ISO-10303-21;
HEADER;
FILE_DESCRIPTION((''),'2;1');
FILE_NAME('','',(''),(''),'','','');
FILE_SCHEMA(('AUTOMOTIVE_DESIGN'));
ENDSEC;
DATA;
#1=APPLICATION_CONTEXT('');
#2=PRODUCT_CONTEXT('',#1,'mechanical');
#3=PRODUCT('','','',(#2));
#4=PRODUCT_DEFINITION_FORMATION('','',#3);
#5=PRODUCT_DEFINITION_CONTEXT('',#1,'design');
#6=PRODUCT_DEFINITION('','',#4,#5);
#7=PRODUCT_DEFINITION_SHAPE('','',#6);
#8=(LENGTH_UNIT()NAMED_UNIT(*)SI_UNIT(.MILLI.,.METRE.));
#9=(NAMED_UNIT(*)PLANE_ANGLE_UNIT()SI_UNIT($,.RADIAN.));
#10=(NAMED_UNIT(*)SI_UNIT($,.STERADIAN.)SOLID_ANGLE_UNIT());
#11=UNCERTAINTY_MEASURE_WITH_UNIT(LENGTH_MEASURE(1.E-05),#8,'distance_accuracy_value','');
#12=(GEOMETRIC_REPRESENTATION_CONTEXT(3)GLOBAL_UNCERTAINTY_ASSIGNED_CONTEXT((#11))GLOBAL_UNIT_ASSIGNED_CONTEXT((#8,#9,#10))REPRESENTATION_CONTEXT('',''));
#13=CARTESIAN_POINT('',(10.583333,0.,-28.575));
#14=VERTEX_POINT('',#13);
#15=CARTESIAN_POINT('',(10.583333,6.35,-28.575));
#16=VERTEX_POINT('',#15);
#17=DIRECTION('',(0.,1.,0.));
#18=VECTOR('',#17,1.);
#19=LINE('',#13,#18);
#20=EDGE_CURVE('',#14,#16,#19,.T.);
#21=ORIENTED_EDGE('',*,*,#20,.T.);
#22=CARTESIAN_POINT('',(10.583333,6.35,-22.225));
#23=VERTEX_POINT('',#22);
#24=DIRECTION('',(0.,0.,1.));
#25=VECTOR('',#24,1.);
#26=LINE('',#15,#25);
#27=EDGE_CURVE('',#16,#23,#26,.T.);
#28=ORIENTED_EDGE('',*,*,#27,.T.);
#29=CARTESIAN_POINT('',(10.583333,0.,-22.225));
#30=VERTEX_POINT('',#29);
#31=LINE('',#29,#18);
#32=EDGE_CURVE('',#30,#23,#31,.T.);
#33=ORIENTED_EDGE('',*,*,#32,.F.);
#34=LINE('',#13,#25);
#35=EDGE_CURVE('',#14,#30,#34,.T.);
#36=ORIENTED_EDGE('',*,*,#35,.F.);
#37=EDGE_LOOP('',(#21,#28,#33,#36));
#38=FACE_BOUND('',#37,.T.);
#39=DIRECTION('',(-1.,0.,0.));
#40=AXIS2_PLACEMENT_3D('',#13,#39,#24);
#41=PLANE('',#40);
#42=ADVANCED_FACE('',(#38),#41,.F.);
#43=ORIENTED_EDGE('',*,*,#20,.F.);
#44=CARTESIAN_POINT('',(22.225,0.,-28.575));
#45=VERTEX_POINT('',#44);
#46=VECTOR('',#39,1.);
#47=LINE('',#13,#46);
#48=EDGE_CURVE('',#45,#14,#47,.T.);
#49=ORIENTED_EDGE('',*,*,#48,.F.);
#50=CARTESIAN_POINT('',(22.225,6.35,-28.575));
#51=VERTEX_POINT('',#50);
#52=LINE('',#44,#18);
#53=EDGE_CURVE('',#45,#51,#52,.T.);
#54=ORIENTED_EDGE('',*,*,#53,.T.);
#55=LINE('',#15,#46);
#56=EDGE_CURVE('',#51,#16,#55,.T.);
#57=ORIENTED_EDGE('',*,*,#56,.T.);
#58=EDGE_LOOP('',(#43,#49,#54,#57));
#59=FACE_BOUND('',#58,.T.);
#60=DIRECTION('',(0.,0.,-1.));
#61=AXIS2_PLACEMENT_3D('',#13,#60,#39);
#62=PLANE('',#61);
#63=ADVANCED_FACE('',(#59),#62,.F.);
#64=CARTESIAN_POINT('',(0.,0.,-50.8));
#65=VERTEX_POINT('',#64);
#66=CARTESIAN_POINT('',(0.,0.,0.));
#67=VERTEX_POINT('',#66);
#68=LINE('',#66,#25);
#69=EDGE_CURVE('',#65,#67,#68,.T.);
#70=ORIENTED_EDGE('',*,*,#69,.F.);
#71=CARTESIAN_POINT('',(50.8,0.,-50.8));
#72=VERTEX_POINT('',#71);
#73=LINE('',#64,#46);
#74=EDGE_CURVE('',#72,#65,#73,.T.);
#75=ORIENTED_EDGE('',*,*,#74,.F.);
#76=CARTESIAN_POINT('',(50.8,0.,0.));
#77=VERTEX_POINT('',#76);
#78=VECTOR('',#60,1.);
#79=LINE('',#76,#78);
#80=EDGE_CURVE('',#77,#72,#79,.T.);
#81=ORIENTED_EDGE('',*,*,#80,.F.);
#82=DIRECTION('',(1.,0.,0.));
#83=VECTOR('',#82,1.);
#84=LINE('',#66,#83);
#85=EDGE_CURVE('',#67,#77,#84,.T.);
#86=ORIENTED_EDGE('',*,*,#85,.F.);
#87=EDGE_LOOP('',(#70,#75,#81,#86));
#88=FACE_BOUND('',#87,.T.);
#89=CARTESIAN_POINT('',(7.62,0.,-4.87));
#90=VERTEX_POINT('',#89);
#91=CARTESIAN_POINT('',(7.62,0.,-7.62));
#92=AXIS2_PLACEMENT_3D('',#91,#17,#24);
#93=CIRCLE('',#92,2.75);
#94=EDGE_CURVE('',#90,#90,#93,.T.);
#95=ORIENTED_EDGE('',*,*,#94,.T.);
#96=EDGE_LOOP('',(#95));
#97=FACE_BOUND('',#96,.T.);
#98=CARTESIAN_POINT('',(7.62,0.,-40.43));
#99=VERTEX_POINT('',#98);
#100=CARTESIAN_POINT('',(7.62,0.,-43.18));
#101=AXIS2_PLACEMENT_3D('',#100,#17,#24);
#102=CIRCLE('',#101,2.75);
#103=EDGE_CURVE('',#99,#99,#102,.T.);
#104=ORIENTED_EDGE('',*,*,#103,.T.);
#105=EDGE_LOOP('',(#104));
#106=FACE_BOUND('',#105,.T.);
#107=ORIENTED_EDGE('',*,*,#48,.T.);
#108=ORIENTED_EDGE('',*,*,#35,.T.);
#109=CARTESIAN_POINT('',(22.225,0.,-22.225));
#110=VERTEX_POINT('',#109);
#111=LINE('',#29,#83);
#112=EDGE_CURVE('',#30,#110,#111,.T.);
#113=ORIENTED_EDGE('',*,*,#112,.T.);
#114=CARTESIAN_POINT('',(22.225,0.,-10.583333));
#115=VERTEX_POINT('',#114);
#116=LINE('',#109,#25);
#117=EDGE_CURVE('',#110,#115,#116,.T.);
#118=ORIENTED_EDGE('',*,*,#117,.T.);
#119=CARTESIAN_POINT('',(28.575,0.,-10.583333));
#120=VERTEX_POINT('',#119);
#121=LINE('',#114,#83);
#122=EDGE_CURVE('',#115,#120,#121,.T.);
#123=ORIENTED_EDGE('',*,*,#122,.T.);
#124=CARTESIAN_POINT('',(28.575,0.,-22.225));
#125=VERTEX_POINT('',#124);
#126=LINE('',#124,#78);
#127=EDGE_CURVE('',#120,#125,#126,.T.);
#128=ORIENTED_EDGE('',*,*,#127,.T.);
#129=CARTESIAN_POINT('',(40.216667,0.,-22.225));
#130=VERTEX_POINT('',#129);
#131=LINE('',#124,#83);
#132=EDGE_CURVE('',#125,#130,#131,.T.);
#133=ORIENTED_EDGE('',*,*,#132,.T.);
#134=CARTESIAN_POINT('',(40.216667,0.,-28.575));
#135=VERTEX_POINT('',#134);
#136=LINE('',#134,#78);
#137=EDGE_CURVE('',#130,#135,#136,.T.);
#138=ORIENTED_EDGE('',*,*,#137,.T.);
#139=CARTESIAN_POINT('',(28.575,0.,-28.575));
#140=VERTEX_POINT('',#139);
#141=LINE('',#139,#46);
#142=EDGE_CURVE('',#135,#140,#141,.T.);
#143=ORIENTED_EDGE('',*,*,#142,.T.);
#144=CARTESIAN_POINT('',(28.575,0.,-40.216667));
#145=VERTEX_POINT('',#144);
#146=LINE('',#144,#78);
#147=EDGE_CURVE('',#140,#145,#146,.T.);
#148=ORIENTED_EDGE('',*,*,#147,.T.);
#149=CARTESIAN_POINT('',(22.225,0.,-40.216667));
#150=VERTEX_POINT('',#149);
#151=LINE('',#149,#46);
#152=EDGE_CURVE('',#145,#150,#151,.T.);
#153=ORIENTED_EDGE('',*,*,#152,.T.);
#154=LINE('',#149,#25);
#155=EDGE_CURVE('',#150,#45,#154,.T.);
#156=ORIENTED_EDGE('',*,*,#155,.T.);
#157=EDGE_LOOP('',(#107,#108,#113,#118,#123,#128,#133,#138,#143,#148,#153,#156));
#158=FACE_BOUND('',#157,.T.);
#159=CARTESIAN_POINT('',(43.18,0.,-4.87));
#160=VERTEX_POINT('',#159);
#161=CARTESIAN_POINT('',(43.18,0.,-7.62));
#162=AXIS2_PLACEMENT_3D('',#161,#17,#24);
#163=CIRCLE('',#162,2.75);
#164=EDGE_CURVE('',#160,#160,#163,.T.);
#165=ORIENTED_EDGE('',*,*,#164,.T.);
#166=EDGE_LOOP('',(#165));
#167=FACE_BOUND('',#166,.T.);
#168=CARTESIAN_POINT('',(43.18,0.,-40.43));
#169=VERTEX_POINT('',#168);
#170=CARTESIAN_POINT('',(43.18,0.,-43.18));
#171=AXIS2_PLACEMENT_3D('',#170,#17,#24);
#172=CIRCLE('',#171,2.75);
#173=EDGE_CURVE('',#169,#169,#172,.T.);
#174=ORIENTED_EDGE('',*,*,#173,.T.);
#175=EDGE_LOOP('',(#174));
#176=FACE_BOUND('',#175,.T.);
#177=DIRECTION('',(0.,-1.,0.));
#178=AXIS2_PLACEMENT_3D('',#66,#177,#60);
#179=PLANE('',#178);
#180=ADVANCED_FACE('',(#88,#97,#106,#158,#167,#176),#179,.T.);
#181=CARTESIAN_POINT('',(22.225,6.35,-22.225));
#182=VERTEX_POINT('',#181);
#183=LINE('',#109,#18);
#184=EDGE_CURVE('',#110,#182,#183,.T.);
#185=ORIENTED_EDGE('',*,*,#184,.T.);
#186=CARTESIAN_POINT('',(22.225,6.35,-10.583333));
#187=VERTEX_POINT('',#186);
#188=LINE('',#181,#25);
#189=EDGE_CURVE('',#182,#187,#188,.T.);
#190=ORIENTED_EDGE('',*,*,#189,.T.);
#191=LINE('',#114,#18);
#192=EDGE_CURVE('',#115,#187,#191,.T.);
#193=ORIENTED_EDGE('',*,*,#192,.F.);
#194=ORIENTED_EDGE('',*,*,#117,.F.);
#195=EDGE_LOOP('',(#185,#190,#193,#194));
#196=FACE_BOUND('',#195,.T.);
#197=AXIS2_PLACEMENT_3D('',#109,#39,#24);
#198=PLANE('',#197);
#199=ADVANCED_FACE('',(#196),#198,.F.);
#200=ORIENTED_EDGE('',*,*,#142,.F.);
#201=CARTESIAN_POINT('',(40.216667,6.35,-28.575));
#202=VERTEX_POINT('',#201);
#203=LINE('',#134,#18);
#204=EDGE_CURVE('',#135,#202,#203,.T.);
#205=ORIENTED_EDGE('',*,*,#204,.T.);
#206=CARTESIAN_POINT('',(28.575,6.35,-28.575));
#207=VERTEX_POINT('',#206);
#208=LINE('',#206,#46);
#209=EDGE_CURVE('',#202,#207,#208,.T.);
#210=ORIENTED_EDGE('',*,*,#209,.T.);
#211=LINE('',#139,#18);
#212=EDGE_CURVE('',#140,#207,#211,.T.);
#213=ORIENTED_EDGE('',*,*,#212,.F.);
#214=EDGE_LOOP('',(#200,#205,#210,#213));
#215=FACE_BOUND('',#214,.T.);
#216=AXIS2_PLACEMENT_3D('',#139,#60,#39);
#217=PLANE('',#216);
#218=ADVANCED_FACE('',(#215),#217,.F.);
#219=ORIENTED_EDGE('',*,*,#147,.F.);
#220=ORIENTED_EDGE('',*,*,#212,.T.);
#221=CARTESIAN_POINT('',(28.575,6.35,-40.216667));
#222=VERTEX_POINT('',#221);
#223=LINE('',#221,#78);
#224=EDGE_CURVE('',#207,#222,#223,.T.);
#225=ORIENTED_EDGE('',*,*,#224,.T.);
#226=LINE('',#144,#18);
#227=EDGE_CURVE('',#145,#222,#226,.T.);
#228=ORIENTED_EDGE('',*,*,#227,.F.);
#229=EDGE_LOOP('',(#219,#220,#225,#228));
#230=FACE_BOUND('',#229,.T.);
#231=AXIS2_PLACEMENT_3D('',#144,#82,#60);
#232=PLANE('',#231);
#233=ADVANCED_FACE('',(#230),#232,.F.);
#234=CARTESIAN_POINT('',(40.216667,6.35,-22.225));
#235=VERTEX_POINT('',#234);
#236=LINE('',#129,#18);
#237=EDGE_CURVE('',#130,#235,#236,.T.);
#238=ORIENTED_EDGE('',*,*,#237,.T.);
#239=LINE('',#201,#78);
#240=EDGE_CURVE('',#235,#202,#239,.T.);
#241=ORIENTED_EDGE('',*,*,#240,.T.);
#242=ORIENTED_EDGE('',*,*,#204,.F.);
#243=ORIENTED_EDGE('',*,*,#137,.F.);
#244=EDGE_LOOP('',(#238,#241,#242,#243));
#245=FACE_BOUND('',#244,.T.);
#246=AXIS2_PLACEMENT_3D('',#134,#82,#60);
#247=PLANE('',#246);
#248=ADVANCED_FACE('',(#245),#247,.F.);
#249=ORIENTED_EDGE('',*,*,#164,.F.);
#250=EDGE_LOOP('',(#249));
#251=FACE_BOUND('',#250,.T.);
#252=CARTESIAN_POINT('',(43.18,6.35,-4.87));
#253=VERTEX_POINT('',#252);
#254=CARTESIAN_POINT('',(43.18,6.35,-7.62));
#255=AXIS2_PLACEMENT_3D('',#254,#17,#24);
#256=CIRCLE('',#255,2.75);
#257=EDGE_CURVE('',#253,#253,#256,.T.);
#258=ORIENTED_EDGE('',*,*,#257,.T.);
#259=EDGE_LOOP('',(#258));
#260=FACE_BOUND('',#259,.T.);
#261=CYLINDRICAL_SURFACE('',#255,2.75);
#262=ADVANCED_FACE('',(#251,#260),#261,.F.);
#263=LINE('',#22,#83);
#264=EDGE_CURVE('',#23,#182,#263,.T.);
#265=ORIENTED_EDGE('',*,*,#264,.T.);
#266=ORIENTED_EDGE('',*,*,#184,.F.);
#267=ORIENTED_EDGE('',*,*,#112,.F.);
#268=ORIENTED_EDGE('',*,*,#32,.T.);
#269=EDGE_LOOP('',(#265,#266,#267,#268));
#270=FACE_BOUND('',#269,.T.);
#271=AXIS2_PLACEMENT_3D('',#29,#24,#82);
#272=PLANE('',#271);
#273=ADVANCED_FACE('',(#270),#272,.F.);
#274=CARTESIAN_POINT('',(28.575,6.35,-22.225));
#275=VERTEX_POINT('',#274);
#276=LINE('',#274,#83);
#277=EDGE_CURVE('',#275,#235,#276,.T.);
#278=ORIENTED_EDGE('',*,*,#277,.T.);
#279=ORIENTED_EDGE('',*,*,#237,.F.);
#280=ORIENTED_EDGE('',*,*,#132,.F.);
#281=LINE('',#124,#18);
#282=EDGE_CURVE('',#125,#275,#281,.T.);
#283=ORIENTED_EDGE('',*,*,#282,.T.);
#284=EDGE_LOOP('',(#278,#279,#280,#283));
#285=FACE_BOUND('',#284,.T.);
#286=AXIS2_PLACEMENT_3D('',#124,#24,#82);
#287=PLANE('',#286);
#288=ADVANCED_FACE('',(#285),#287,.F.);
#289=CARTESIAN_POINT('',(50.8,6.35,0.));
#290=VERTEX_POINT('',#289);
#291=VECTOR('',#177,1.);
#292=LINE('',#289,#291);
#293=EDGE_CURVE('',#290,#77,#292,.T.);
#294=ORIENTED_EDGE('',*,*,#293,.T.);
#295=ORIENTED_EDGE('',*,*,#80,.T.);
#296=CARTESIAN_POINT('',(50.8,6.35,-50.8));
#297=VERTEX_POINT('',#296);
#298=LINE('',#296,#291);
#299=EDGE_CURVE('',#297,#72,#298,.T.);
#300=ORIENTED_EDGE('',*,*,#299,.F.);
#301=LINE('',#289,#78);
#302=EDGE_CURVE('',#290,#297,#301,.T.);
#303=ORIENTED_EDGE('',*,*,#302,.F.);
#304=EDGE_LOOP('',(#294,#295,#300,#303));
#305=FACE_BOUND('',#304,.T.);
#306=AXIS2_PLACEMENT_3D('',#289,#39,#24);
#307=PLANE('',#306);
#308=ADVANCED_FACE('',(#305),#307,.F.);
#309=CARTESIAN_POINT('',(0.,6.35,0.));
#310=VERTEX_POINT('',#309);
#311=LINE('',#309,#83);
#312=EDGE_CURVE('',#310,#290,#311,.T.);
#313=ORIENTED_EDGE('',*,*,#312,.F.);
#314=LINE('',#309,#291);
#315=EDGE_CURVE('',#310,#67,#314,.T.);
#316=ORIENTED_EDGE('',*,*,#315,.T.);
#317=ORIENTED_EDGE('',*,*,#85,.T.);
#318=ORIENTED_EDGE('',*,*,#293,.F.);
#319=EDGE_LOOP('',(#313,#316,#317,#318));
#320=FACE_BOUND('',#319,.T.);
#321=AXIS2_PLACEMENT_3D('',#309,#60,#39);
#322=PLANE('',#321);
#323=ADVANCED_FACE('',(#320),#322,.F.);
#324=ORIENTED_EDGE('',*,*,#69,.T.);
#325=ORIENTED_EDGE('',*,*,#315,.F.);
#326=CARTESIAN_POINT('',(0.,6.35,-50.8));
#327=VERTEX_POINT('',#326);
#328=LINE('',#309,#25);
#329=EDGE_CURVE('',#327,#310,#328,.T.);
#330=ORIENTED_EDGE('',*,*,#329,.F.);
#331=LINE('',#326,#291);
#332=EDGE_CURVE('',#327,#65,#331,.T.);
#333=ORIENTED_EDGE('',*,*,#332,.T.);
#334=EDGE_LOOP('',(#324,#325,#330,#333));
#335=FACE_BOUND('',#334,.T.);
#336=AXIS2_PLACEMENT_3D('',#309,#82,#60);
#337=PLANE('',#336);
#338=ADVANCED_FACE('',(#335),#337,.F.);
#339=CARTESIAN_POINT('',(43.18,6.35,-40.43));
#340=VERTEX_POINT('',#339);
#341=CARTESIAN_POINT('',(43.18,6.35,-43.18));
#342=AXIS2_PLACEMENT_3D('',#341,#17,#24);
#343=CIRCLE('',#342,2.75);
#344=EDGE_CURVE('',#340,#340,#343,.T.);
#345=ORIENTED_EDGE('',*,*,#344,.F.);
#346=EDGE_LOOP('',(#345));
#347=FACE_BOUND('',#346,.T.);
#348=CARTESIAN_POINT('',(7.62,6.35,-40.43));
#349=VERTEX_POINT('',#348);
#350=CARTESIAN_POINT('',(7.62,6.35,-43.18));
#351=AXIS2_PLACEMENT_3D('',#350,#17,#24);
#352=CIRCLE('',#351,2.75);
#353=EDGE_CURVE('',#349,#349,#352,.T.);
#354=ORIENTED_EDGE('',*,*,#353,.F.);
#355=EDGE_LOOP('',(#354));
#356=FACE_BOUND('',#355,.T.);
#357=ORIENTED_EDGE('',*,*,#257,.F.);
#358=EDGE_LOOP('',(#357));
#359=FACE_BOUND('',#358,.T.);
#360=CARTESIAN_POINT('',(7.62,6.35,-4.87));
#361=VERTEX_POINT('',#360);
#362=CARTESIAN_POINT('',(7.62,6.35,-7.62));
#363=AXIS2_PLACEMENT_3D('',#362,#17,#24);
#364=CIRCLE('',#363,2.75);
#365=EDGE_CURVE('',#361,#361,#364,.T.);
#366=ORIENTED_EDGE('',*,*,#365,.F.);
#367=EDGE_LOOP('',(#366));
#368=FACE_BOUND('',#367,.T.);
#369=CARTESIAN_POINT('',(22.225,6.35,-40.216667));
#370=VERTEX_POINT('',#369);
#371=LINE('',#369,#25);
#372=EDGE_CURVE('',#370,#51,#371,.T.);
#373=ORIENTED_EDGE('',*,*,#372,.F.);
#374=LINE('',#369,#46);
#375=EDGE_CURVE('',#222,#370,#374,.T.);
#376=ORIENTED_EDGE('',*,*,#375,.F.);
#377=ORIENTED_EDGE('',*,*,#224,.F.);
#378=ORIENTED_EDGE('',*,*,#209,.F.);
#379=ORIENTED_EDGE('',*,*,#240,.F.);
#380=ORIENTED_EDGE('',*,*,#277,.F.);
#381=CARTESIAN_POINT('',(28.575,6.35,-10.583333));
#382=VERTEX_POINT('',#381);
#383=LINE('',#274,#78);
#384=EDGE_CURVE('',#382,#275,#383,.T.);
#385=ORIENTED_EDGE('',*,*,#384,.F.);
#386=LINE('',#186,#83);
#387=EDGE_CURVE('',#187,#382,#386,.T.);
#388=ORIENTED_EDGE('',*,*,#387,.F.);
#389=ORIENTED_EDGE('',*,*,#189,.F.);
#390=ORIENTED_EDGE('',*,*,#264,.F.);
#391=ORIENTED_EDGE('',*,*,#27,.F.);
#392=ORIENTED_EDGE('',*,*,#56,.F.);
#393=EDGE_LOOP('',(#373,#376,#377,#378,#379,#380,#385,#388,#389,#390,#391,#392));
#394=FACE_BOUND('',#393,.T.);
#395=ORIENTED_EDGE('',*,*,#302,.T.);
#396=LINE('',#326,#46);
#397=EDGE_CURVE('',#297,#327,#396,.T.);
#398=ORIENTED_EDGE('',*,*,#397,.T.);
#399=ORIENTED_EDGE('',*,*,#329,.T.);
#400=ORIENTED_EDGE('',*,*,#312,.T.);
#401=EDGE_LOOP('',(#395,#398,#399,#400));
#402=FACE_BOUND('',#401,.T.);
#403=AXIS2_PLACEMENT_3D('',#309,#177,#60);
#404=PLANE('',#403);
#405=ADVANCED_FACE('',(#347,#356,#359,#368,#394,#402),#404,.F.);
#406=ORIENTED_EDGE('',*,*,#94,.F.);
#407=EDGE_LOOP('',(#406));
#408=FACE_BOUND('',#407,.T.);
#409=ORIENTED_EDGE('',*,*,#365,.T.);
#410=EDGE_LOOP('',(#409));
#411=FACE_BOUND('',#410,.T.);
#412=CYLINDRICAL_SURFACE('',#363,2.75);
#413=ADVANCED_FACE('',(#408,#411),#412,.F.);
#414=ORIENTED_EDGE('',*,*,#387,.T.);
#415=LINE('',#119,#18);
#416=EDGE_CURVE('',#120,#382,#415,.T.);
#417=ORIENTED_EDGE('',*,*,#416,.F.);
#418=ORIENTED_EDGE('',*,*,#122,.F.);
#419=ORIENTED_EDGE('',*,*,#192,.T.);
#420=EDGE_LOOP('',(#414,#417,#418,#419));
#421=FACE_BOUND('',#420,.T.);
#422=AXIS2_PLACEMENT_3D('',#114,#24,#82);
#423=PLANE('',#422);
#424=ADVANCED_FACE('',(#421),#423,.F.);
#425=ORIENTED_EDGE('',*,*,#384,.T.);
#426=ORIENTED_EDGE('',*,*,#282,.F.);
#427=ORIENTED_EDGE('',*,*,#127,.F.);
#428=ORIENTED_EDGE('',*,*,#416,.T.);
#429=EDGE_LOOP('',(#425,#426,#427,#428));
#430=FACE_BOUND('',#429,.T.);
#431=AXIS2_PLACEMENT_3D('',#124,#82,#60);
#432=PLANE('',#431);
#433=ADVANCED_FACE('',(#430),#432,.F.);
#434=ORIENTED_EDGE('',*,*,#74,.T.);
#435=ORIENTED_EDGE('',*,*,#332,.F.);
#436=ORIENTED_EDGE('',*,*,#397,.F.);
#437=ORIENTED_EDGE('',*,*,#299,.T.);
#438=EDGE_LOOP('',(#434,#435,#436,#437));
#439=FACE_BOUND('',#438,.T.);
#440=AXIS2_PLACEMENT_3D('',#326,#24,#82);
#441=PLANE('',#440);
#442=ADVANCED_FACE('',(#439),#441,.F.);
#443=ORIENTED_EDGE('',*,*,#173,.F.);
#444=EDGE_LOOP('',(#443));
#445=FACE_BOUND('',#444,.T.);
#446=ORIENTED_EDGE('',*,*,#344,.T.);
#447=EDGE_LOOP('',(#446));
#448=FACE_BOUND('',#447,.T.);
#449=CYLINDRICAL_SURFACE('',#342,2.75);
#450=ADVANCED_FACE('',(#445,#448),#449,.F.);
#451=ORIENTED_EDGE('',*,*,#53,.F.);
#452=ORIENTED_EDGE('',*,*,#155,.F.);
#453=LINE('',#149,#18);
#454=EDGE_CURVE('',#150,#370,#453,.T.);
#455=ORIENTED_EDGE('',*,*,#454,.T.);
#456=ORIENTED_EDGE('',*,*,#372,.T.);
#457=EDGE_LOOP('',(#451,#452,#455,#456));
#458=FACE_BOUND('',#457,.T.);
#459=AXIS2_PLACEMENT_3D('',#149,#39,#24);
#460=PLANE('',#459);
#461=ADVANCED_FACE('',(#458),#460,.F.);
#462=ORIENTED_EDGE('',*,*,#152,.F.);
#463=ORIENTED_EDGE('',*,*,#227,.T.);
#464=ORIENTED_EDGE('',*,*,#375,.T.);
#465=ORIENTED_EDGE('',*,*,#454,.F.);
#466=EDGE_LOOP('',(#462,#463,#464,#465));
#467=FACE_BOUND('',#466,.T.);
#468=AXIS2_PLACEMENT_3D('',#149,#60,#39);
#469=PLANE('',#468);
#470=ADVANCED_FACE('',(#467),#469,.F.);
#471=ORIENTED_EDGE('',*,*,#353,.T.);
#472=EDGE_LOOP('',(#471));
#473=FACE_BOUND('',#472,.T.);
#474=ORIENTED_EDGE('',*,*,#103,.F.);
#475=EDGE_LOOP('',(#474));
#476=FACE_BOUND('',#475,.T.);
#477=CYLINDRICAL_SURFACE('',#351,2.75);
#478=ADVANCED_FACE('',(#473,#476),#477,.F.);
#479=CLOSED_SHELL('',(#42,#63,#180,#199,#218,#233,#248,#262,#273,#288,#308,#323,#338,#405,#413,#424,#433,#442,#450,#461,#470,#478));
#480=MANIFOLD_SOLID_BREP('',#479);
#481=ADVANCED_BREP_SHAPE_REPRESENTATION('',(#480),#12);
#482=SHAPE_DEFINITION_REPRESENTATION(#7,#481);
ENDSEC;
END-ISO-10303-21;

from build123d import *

# Parameters (mm, degrees)
SKETCH1_W            = 50.8
SKETCH1_H            = 50.8
BOSS_EXTRUDE1_DEPTH  = 6.35
CUT_EXTRUDE1_DEPTH   = 6.35
M5_CLEARANCE_HOLE1_D = 5.5


with BuildPart() as part:
    # Sketch1 → Boss-Extrude1 (new body)
    with BuildSketch(Plane(origin=(0, 0, 0), x_dir=(1, 0, 0), z_dir=(0, 1, 0))):
        with Locations((25.4, 25.4)):
            Rectangle(SKETCH1_W, SKETCH1_H)
    extrude(amount=BOSS_EXTRUDE1_DEPTH)

    # Sketch2 → Cut-Extrude1 (cut)
    with BuildSketch(Plane(origin=(0, 6.35, 0), x_dir=(1, 0, 0), z_dir=(0, 1, 0))):
        Polygon((28.575, 28.575), (40.216666667, 28.575), (40.216666667, 22.225), (28.575, 22.225), (28.575, 10.583333333), (22.225, 10.583333333), (22.225, 22.225), (10.583333333, 22.225), (10.583333333, 28.575), (22.225, 28.575), (22.225, 40.216666667), (28.575, 40.216666667), align=None)
    extrude(amount=-CUT_EXTRUDE1_DEPTH, mode=Mode.SUBTRACT)

    # M5 Clearance Hole1 (through all)
    with Locations(Plane(origin=(0, 6.35, 0), x_dir=(1, 0, 0), z_dir=(0, 1, 0))):
        with Locations((7.62, 43.18), (43.18, 43.18), (43.18, 7.62), (7.62, 7.62)):
            Hole(M5_CLEARANCE_HOLE1_D / 2)


solid = part.part
